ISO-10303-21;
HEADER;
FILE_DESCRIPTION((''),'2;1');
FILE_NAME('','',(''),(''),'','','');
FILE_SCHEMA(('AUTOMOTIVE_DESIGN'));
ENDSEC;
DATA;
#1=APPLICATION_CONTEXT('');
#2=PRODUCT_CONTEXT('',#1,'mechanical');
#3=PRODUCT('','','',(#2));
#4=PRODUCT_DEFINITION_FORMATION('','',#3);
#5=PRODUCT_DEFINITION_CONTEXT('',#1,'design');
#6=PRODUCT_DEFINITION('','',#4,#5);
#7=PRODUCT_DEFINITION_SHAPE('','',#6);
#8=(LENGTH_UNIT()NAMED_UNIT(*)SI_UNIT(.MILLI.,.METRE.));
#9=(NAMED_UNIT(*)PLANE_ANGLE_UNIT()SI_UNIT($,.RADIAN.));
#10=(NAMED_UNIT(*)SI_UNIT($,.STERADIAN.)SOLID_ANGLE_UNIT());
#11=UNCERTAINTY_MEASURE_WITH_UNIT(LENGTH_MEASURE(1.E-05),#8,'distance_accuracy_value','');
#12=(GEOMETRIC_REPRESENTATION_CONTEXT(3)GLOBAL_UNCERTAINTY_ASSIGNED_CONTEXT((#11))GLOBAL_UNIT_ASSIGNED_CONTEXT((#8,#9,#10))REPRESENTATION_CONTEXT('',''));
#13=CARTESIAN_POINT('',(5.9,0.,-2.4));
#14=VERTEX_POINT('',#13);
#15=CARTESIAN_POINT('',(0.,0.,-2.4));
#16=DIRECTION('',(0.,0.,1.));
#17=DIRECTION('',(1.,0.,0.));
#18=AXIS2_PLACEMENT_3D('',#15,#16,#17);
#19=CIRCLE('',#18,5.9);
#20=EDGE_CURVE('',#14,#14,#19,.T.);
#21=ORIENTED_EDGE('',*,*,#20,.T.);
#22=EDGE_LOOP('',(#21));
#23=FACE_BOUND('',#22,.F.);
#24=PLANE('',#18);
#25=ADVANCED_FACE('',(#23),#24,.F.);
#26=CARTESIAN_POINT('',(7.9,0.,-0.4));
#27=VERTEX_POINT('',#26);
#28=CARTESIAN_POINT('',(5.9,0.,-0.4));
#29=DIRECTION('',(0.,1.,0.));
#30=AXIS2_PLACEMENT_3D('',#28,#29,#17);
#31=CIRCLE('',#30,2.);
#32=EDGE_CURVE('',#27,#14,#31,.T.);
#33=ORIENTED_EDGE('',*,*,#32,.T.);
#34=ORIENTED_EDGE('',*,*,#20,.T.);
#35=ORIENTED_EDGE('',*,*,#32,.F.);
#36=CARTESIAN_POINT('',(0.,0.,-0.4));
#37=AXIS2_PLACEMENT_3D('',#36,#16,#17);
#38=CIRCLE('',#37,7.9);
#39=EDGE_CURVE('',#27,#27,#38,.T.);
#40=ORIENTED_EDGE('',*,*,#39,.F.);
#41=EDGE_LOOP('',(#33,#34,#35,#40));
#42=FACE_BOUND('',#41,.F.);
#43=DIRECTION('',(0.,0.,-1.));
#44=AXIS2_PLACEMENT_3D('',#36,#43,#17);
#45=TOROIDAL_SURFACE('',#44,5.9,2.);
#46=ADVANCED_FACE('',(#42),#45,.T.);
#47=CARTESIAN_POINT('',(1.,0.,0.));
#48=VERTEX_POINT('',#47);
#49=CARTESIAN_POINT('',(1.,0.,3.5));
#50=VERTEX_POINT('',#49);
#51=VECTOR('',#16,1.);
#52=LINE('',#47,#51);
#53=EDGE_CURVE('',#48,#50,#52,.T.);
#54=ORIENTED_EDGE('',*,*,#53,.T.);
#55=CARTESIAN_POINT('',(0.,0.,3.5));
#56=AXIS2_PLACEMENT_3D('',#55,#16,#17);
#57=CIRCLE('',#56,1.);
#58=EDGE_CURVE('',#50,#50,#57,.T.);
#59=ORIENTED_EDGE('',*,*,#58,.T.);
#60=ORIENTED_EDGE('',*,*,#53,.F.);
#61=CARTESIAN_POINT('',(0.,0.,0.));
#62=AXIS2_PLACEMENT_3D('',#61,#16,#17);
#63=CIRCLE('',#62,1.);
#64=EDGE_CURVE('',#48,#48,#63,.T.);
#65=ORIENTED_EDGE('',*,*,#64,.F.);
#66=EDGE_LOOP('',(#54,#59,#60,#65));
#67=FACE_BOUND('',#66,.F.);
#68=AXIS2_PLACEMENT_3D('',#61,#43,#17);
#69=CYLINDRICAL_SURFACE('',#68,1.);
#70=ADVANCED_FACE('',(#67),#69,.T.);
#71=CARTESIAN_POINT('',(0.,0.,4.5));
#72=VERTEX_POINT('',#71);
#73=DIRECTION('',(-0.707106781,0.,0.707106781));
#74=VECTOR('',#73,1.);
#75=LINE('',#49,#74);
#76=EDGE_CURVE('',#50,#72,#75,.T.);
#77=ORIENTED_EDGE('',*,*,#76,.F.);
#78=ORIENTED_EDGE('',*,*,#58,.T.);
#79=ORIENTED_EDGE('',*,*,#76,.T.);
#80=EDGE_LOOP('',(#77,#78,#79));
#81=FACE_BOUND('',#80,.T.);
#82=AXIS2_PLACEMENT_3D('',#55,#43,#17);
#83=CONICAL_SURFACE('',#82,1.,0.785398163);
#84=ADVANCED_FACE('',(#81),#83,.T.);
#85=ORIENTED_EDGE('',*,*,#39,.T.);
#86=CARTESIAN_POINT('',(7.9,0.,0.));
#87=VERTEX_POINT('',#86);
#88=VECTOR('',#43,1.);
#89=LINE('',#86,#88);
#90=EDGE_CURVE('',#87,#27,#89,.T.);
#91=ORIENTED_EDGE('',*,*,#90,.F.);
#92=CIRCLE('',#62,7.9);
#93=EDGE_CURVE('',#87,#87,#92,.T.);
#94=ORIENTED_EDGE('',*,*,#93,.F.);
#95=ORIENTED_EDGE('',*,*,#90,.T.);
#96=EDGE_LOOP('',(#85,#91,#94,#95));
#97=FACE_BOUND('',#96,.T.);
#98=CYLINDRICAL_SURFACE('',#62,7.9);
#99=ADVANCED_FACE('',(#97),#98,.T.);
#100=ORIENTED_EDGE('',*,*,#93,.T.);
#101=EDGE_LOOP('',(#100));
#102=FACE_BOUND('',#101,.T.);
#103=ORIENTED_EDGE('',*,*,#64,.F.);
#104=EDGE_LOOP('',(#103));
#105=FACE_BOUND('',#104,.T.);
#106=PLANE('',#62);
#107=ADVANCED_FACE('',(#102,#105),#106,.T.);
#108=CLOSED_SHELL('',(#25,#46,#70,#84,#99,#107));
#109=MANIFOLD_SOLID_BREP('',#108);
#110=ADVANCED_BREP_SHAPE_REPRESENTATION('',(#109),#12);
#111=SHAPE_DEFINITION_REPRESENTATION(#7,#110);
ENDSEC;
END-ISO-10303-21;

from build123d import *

# Parameters (mm, degrees)
F0_R     = 7.9
F1_DEPTH = 2.4
F2_R     = 1
F3_DEPTH = 4.5
F4_R     = 2
F5_SIZE  = 1


with BuildPart() as f1:
    # F0 (on Top) → F1 (new body)
    with BuildSketch(Plane.XY):
        Circle(F0_R)
    extrude(amount=-F1_DEPTH)

    # F2 (on face) → F3 (join)
    with BuildSketch(Plane.XY):
        Circle(F2_R)
    extrude(amount=F3_DEPTH)

    # F4
    f4_edges = [f1.edges().sort_by_distance(p)[0] for p in [
        (-7.9, 0, -2.4),
    ]]
    fillet(f4_edges, radius=F4_R)

    # F5
    f5_edges = [f1.edges().sort_by_distance(p)[0] for p in [
        (-1, 0, 4.5),
    ]]
    chamfer(f5_edges, length=F5_SIZE)


solid = f1.part
